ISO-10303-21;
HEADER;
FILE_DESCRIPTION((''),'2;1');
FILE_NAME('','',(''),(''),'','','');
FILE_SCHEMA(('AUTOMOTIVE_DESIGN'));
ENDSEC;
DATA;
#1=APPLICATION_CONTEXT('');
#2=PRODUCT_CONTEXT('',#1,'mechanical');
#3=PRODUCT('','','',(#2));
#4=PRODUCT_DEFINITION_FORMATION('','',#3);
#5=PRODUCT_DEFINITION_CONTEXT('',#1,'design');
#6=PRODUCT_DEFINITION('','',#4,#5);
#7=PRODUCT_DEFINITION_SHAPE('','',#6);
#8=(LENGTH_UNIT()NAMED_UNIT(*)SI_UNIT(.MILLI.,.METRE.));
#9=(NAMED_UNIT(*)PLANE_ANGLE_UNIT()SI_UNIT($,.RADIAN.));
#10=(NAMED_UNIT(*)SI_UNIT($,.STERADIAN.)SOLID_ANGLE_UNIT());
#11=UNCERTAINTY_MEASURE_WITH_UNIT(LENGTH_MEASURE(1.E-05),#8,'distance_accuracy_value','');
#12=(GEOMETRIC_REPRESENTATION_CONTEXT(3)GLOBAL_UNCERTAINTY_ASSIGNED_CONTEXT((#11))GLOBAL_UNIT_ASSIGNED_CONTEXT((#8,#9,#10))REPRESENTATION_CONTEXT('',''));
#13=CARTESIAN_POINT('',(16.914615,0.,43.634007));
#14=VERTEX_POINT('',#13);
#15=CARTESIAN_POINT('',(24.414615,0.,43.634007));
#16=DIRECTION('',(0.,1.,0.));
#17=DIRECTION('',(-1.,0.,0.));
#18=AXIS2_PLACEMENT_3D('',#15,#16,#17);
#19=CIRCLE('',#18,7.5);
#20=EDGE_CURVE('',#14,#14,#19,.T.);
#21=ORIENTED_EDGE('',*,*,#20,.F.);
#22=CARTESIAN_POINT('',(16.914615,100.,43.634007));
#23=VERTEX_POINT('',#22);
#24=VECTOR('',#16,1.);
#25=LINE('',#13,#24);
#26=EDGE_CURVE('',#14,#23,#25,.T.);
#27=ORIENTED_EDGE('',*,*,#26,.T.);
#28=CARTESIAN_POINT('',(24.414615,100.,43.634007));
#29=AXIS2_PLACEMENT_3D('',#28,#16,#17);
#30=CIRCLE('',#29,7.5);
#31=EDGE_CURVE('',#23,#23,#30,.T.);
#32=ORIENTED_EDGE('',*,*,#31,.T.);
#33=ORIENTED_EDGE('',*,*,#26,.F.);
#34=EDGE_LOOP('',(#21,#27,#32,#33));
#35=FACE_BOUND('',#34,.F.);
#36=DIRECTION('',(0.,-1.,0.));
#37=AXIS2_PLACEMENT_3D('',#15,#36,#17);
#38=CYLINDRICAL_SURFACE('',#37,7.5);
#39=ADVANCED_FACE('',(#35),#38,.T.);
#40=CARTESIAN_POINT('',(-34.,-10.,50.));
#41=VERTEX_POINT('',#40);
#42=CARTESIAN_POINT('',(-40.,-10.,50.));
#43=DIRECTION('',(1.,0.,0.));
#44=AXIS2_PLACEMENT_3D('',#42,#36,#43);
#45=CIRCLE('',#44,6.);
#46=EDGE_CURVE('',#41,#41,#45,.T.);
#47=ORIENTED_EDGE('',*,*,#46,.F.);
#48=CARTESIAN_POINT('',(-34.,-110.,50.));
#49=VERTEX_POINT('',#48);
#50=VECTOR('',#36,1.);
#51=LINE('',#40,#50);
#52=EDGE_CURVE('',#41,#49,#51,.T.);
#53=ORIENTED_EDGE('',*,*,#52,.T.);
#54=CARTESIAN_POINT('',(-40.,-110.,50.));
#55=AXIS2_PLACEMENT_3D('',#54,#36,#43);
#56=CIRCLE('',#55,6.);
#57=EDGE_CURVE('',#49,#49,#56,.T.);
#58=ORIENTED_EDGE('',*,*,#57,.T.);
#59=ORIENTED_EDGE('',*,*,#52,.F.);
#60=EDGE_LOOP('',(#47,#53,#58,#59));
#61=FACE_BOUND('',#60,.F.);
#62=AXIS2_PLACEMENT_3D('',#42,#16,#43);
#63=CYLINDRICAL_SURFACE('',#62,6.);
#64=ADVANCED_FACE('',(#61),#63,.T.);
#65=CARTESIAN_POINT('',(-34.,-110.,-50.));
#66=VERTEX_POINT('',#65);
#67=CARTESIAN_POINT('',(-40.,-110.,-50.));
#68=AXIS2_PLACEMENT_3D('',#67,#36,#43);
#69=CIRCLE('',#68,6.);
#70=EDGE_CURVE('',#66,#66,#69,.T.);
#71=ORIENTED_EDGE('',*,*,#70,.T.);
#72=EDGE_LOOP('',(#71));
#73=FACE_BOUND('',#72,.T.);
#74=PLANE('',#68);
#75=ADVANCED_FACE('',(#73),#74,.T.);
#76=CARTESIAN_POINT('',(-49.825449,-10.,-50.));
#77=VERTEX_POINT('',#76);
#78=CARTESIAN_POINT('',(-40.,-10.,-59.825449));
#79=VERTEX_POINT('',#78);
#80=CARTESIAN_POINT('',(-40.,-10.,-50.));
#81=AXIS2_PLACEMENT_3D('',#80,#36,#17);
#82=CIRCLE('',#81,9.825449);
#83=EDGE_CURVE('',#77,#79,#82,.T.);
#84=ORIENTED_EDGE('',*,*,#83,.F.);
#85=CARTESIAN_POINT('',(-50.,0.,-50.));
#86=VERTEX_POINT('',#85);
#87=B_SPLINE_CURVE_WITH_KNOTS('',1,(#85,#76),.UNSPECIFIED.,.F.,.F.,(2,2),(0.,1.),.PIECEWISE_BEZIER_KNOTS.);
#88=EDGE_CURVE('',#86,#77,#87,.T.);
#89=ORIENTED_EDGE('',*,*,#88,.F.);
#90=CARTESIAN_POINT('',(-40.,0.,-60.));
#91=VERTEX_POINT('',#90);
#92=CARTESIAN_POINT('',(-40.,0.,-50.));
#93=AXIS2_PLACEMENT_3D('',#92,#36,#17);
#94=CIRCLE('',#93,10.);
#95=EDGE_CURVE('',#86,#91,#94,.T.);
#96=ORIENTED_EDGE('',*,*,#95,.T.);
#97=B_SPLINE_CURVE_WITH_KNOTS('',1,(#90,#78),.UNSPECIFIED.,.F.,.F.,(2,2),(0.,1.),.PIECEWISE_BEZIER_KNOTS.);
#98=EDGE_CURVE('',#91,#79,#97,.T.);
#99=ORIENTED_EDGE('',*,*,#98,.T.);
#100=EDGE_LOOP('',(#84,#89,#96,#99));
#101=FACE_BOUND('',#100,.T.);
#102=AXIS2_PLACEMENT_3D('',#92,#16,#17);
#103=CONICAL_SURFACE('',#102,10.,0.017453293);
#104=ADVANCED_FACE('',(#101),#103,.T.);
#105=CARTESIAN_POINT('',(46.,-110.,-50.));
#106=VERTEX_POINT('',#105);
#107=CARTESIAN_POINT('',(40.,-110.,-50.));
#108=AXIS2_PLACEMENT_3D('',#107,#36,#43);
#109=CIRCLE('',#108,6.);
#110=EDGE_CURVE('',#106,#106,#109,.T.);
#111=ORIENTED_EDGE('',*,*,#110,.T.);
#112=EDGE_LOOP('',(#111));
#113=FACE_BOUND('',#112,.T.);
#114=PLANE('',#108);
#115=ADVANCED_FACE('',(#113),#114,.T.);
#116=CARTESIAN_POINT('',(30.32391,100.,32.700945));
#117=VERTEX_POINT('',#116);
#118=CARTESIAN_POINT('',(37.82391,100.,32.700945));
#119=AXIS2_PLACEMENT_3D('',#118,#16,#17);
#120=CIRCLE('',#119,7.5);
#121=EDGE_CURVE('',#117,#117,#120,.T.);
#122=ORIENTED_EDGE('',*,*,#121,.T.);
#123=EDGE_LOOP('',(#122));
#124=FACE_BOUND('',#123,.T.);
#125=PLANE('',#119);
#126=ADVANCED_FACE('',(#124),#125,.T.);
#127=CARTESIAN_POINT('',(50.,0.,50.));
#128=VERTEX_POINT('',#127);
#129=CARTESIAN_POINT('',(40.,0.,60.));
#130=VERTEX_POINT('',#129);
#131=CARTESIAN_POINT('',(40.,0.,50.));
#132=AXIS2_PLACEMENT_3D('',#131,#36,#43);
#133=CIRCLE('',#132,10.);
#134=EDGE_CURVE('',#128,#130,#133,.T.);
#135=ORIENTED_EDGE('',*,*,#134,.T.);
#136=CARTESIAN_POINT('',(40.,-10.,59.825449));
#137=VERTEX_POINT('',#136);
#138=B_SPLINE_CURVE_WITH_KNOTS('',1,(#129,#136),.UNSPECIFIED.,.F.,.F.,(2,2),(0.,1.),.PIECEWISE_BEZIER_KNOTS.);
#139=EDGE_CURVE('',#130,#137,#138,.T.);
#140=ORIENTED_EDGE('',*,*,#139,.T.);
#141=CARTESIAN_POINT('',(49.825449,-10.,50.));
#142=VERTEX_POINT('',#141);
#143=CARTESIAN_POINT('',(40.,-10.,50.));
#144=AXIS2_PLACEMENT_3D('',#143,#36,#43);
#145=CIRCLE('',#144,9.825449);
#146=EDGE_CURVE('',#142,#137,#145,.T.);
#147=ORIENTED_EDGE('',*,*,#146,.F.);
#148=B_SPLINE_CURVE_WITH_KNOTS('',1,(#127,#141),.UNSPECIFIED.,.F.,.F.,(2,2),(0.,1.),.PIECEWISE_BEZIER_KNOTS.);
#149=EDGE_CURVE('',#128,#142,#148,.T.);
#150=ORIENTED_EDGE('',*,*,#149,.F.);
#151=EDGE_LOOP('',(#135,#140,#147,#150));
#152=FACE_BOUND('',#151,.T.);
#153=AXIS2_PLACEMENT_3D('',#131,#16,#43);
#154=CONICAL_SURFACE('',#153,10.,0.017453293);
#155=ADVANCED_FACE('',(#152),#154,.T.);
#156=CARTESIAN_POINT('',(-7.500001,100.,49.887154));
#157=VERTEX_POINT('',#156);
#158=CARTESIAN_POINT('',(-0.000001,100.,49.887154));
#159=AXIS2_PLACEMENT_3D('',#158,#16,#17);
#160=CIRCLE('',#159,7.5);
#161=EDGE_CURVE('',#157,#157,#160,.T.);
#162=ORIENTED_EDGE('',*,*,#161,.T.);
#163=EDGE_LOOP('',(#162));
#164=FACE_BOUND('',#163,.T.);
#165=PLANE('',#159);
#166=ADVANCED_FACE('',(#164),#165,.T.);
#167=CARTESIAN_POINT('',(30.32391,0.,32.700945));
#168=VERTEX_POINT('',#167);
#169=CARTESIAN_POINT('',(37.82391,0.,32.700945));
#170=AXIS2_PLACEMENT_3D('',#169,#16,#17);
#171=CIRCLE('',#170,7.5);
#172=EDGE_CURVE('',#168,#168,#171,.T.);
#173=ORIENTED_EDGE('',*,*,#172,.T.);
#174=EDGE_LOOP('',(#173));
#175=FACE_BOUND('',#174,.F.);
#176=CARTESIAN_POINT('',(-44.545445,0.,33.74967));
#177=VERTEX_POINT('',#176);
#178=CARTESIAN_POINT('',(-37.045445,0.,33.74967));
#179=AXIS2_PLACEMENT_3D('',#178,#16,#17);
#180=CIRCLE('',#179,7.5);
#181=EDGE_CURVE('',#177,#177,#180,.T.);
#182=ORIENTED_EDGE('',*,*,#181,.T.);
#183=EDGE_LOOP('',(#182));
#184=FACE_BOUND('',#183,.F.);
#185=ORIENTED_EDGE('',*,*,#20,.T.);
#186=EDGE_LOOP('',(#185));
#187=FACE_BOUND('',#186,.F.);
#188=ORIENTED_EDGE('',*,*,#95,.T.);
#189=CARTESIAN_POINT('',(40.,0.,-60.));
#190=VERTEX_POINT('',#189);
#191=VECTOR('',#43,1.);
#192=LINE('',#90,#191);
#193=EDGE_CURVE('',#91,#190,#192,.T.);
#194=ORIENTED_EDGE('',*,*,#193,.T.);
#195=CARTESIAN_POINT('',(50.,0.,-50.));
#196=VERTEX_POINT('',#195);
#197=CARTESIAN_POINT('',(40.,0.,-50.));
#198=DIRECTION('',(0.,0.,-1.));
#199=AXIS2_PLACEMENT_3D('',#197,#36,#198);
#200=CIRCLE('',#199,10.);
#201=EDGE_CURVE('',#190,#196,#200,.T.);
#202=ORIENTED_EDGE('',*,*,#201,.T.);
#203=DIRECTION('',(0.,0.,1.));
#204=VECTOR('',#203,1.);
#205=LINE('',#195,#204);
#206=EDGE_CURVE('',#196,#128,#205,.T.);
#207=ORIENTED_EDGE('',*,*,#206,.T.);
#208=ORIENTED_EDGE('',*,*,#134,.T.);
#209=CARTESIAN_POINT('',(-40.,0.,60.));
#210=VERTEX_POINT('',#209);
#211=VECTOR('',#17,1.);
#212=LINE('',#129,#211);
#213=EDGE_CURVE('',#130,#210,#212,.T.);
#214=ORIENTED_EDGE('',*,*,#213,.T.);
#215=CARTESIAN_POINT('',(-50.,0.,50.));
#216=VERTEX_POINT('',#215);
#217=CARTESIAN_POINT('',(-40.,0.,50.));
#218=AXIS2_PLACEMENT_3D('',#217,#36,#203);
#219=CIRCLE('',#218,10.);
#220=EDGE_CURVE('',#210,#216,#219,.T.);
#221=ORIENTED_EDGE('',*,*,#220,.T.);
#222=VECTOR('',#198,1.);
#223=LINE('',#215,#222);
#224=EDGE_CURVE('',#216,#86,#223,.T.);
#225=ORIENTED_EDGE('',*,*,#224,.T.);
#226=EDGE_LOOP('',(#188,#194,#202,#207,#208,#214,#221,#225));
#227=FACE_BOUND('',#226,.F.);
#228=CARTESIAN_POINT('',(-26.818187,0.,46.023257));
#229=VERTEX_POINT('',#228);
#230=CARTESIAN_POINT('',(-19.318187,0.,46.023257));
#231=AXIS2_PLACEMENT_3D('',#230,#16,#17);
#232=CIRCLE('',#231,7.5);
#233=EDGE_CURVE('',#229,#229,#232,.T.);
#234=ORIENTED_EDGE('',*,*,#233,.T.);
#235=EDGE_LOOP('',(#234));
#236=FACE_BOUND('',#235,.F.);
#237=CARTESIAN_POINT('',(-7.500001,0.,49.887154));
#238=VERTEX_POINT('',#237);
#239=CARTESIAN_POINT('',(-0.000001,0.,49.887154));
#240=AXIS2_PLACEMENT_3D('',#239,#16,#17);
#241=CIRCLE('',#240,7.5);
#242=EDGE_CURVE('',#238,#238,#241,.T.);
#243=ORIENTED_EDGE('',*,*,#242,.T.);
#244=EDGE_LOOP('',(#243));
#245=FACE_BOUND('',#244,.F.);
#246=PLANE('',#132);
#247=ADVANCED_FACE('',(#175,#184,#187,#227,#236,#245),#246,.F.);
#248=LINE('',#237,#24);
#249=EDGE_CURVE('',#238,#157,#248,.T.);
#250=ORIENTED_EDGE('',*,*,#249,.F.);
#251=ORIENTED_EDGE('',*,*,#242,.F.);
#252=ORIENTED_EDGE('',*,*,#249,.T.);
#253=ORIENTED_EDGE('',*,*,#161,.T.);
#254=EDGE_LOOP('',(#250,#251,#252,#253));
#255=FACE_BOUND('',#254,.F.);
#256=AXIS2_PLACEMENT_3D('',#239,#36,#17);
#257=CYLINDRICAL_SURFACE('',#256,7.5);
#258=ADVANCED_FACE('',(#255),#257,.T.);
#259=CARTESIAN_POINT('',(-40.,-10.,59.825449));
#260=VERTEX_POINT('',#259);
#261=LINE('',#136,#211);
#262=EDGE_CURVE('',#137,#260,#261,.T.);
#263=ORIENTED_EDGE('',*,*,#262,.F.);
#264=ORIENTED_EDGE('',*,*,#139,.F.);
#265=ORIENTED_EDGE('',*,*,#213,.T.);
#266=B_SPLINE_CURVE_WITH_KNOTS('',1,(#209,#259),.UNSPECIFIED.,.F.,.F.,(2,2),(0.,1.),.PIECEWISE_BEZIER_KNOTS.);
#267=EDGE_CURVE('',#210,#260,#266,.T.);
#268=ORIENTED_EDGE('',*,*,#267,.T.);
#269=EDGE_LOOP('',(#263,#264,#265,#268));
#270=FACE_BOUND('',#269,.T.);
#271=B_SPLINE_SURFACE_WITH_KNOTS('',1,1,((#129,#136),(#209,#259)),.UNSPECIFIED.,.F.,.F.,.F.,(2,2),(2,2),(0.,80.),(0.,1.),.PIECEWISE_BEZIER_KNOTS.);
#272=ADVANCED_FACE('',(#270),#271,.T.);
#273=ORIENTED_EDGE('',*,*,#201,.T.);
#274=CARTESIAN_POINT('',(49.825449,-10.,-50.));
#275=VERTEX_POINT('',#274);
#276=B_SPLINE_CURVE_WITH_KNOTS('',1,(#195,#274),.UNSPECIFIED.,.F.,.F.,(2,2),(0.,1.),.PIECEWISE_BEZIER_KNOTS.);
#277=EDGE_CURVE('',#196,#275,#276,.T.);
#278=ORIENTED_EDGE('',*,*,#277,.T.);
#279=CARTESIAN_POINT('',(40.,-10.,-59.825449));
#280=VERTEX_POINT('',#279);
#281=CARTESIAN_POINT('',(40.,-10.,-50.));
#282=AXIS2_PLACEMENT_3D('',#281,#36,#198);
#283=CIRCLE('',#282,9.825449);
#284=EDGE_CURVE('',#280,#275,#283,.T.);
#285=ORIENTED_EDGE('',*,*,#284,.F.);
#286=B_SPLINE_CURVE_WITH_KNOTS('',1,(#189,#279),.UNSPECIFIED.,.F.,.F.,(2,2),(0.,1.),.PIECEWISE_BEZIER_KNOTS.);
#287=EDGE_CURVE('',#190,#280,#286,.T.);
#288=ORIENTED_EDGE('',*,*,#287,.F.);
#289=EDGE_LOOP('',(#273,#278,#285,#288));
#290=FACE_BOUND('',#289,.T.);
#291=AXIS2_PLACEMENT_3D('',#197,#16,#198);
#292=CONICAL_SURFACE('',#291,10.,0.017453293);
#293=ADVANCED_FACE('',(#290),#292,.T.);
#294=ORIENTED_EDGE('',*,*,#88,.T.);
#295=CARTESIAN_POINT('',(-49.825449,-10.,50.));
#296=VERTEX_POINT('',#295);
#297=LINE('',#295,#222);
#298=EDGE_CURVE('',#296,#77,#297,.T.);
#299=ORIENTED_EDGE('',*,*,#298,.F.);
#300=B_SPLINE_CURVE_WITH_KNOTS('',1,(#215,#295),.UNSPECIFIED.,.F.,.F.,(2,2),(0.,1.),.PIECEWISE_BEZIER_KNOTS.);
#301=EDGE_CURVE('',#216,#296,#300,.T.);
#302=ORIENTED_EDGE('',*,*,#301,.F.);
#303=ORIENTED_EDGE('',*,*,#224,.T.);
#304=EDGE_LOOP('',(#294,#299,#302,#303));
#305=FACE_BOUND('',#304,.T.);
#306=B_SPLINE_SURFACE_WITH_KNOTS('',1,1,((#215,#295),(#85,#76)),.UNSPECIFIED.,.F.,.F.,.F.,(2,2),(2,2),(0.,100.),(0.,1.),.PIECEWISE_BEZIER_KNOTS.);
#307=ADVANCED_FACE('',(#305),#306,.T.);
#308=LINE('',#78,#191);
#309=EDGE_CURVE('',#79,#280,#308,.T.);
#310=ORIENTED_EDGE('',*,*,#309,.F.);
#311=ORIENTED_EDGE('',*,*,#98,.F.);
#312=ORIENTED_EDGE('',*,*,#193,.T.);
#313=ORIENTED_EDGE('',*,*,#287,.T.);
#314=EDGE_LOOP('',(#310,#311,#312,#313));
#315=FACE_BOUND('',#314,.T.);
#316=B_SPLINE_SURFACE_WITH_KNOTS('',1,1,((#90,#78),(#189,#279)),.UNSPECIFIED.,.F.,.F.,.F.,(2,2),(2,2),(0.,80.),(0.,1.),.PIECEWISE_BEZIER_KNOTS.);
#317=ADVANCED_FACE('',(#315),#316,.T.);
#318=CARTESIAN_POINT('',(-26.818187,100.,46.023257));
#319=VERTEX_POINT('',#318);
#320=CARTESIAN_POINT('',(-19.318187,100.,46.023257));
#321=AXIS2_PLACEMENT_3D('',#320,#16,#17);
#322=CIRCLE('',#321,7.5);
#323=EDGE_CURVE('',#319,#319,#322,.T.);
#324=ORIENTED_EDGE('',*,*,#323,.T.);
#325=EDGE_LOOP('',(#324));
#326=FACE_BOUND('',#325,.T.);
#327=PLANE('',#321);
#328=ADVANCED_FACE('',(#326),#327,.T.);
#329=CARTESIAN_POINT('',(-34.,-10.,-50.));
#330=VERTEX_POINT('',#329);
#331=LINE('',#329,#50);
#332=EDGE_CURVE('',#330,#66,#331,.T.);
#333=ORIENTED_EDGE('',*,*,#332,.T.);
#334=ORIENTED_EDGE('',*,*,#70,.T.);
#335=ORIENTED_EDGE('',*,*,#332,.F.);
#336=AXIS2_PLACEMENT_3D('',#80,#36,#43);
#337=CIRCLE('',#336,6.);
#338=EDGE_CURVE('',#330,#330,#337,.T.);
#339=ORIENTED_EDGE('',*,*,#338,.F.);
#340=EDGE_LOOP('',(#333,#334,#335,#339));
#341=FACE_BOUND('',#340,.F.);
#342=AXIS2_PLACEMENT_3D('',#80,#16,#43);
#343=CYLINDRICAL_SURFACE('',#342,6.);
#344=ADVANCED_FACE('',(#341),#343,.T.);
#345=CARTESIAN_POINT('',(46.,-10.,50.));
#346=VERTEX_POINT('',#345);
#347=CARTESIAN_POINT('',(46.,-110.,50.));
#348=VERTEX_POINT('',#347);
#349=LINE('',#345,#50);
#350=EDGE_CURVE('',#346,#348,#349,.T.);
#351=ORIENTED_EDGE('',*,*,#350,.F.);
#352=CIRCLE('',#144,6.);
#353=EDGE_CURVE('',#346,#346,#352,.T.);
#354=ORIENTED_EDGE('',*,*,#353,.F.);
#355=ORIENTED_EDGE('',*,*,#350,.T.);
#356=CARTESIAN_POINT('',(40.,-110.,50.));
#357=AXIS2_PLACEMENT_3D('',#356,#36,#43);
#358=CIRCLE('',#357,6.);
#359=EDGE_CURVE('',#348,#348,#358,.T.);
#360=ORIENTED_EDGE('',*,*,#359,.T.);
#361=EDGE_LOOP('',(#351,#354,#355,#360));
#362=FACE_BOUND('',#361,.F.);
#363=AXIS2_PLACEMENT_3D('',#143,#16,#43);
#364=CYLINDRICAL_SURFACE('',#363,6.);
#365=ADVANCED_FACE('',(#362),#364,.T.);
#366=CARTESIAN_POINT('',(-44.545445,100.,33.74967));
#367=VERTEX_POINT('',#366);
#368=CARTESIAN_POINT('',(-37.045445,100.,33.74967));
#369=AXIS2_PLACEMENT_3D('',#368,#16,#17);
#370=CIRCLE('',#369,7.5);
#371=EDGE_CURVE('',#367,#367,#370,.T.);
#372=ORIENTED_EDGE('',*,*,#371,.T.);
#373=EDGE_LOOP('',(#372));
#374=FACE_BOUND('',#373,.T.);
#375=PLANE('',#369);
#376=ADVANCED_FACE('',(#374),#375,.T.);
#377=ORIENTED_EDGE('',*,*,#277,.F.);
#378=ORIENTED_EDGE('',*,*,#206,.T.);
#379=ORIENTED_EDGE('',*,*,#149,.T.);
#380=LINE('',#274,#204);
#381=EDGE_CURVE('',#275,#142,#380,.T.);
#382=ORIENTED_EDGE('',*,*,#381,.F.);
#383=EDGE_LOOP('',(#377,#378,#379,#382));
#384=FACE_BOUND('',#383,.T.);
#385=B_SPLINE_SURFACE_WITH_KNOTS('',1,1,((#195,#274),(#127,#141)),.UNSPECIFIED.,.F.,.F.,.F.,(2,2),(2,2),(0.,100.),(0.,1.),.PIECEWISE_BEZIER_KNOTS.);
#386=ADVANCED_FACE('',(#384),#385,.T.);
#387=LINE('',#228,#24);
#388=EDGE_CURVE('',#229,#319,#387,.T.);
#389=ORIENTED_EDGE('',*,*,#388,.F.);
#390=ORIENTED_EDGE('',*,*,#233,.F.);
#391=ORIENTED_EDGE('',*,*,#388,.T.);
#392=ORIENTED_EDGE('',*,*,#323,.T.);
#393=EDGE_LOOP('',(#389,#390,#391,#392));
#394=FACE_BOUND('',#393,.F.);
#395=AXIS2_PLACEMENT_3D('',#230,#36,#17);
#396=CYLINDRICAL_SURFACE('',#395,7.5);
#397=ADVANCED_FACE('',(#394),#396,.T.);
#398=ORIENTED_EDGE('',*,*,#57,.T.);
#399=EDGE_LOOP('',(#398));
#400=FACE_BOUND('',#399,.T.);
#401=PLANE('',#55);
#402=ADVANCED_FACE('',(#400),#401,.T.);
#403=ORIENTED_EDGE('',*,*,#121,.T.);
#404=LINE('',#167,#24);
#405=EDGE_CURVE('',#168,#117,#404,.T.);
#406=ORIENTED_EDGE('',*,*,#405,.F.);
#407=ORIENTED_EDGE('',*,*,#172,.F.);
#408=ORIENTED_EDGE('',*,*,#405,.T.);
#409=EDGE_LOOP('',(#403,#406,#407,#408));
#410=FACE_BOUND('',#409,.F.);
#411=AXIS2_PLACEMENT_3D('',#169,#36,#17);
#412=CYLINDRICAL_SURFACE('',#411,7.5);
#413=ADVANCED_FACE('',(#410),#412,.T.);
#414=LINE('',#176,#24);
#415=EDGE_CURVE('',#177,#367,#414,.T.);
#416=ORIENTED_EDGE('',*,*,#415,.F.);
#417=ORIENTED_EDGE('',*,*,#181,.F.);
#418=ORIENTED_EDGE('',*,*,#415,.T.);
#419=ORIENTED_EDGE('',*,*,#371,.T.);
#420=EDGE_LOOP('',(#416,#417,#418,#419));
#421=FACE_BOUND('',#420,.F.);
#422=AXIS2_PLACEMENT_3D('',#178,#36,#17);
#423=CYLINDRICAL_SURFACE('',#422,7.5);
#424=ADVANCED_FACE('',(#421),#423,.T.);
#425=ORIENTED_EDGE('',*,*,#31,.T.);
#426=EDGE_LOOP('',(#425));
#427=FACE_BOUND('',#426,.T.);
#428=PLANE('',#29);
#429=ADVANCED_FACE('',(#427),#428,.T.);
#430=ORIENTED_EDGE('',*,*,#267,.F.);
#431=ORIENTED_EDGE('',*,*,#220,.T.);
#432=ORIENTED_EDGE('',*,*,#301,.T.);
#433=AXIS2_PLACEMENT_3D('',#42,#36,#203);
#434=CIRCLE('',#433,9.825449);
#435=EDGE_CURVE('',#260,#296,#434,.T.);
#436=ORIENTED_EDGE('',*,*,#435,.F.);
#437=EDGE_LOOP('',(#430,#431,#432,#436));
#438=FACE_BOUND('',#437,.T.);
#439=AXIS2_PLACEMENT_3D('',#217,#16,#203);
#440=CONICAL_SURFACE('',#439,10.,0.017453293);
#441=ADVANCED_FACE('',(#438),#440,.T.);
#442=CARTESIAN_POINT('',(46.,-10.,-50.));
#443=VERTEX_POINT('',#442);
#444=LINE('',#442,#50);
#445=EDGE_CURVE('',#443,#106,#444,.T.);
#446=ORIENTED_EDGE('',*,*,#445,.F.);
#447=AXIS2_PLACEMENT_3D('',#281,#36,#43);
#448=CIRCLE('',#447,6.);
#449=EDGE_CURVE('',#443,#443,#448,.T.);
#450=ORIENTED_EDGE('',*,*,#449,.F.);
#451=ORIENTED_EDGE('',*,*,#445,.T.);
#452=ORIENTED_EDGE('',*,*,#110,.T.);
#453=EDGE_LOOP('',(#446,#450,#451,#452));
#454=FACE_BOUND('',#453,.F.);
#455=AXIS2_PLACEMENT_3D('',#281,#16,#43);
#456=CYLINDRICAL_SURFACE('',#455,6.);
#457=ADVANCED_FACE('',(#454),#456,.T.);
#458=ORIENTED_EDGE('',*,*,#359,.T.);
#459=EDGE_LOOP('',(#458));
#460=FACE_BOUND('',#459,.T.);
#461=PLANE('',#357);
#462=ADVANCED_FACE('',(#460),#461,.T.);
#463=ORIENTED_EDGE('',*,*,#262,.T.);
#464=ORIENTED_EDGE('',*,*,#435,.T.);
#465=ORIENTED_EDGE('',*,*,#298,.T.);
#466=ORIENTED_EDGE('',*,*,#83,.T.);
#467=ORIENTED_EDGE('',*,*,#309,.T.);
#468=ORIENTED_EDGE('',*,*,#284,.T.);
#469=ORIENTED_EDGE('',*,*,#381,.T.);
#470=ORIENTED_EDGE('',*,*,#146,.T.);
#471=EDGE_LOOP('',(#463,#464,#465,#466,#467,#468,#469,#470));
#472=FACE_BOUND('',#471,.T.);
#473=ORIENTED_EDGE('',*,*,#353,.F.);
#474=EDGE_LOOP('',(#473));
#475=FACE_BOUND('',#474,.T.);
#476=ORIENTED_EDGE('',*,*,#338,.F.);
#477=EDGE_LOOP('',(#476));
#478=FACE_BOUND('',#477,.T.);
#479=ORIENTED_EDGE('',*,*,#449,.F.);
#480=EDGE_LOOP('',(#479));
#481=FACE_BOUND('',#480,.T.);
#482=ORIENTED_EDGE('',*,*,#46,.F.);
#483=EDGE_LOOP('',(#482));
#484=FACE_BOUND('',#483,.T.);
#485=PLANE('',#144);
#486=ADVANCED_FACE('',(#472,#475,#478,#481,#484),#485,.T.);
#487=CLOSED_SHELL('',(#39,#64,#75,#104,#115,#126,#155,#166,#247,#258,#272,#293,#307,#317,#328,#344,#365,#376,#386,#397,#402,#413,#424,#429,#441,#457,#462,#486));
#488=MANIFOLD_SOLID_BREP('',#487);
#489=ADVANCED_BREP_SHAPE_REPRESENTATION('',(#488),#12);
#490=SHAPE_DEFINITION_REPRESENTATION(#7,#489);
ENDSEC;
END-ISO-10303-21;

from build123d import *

# Parameters (mm, degrees)
F1_DEPTH = 10
F1_TAPER = 1
F2_R     = 6
F3_DEPTH = 100
F4_R     = 7.5
F5_DEPTH = 100


with BuildPart() as f1:
    # F0 (on Front) → F1 (new body)
    with BuildSketch(Plane.XZ):
        with BuildLine():
            ThreePointArc((50, 50), (47.0710678119, 57.0710678119), (40, 60))
            Line((40, 60), (-40, 60))
            ThreePointArc((-40, 60), (-47.0710678119, 57.0710678119), (-50, 50))
            Line((-50, 50), (-50, -50))
            ThreePointArc((-50, -50), (-47.0710678119, -57.0710678119), (-40, -60))
            Line((-40, -60), (40, -60))
            ThreePointArc((40, -60), (47.0710678119, -57.0710678119), (50, -50))
            Line((50, -50), (50, 50))
        make_face()
    extrude(amount=F1_DEPTH, taper=F1_TAPER)

    # F2 (on face) → F3 (join)
    with BuildSketch(Plane.XZ.offset(10)):
        with Locations((-40, 50)):
            Circle(F2_R)
        with Locations((40, 50)):
            Circle(F2_R)
        with Locations((40, -50)):
            Circle(F2_R)
        with Locations((-40, -50)):
            Circle(F2_R)
    extrude(amount=F3_DEPTH)

    # F4 (on face) → F5 (join)
    with BuildSketch(Plane(origin=(0, 0, 0), x_dir=(-1, 0, 0), z_dir=(0, 1, 0))):
        with Locations((-37.8239102132, 32.7009451879)):
            Circle(F4_R)
        with Locations((-24.4146151623, 43.6340069955)):
            Circle(F4_R)
        with Locations((1.0837e-06, 49.8871542513)):
            Circle(F4_R)
        with Locations((19.318186678, 46.0232570767)):
            Circle(F4_R)
        with Locations((37.0454452932, 33.7496697903)):
            Circle(F4_R)
    extrude(amount=F5_DEPTH)


solid = f1.part
